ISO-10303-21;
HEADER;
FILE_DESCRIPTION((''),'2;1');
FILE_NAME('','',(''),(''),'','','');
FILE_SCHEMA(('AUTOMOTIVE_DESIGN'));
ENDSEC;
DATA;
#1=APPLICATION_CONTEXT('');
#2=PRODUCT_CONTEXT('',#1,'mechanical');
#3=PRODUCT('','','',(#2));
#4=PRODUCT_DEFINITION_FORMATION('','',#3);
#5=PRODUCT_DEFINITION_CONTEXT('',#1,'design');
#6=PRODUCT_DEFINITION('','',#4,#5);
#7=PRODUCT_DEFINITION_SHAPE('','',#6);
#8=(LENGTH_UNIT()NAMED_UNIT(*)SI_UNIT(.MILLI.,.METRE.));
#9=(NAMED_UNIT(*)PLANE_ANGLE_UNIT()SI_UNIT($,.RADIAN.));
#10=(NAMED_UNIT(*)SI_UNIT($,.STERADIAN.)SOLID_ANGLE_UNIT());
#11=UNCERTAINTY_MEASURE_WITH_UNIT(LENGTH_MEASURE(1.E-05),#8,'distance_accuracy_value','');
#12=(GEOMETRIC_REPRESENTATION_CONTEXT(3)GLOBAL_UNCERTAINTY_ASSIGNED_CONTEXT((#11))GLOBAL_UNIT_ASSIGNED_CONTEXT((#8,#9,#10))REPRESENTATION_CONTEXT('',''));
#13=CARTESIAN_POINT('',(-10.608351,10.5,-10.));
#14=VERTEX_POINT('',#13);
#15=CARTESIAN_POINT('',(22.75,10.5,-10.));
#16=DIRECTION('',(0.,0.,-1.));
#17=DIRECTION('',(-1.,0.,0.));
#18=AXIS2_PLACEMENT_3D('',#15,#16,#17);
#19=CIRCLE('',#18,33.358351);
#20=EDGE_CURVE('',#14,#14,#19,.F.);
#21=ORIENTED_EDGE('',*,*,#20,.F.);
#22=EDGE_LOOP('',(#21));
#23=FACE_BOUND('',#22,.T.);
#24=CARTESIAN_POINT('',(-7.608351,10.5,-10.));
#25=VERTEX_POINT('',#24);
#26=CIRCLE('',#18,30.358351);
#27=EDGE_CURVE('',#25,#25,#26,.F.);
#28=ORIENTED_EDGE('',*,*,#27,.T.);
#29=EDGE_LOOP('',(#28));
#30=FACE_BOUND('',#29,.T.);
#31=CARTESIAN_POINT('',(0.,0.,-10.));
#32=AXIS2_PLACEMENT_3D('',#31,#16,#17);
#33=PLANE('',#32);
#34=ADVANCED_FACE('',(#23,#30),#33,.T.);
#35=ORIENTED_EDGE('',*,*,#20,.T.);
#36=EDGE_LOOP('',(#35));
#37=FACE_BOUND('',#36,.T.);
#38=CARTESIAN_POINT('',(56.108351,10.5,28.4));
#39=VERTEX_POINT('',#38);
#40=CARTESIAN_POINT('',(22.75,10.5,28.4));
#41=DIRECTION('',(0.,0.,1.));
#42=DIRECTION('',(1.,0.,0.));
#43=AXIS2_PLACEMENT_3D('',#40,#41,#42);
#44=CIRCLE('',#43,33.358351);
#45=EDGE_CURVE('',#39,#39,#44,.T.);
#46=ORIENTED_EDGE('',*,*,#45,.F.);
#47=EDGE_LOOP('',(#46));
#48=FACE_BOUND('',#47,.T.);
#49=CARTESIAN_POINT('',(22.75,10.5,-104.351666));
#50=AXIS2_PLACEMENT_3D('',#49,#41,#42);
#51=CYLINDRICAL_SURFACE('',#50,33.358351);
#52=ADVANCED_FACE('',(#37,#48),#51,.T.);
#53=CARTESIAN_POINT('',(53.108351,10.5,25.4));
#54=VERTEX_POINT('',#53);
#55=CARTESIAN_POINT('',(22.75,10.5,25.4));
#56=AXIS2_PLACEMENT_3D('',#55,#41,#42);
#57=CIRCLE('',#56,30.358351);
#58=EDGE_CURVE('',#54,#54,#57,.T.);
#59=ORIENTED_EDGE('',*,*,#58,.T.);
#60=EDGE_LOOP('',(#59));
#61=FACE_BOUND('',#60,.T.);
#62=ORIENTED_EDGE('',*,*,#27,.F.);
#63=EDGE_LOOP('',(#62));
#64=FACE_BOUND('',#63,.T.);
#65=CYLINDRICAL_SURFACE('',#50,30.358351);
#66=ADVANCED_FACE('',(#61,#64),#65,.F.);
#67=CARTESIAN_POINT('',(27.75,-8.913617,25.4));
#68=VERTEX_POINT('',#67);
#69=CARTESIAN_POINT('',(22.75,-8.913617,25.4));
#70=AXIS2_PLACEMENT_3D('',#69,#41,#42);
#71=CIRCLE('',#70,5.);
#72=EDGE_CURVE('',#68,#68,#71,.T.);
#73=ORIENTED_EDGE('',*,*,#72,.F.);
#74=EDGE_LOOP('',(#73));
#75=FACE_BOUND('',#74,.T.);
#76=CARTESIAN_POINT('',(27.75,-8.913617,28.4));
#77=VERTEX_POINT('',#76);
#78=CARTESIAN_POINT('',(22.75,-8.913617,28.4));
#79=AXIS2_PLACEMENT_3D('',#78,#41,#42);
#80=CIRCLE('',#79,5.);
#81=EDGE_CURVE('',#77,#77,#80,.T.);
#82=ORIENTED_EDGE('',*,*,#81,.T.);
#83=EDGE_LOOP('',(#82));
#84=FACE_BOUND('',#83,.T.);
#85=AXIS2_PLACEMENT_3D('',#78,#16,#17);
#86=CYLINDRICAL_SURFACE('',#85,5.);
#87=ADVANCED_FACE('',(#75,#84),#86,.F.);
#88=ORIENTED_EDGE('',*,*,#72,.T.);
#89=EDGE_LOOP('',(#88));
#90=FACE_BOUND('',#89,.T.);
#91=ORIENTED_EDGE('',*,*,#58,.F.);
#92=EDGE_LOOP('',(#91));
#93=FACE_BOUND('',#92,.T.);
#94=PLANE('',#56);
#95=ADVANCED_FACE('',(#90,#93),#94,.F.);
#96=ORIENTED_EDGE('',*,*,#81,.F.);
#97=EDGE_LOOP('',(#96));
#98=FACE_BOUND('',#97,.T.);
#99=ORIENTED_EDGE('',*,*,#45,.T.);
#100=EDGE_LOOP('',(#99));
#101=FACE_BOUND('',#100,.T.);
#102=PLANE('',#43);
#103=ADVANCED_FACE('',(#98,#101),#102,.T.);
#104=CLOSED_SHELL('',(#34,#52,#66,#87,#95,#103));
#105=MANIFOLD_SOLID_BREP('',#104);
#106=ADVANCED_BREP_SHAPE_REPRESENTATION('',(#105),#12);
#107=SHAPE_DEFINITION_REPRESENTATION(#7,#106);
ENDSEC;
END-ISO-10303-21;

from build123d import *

# Parameters (mm, degrees)
SKETCH1_R                = 33.358351357
SKETCH1_R_2              = 30.358351357
BOSS_EXTRUDE1_DEPTH      = 25.4
BOSS_EXTRUDE1_DEPTH_BACK = 10
SKETCH2_R                = 33.358351357
SKETCH2_R_2              = 5
BOSS_EXTRUDE2_DEPTH      = 3


with BuildPart() as part:
    # Sketch1 → Boss-Extrude1 (new body, two sides)
    with BuildSketch(Plane.XY) as boss_extrude1_sk:
        with Locations((22.75, 10.5)):
            Circle(SKETCH1_R)
        with Locations((22.75, 10.5)):
            Circle(SKETCH1_R_2, mode=Mode.SUBTRACT)
    extrude(amount=BOSS_EXTRUDE1_DEPTH)
    extrude(boss_extrude1_sk.sketch, amount=-BOSS_EXTRUDE1_DEPTH_BACK)

    # Sketch2 → Boss-Extrude2 (add)
    with BuildSketch(Plane.XY.offset(25.4)):
        with Locations((22.75, 10.5)):
            Circle(SKETCH2_R)
        with Locations((22.75, -8.913617173)):
            Circle(SKETCH2_R_2, mode=Mode.SUBTRACT)
    extrude(amount=BOSS_EXTRUDE2_DEPTH)


solid = part.part
